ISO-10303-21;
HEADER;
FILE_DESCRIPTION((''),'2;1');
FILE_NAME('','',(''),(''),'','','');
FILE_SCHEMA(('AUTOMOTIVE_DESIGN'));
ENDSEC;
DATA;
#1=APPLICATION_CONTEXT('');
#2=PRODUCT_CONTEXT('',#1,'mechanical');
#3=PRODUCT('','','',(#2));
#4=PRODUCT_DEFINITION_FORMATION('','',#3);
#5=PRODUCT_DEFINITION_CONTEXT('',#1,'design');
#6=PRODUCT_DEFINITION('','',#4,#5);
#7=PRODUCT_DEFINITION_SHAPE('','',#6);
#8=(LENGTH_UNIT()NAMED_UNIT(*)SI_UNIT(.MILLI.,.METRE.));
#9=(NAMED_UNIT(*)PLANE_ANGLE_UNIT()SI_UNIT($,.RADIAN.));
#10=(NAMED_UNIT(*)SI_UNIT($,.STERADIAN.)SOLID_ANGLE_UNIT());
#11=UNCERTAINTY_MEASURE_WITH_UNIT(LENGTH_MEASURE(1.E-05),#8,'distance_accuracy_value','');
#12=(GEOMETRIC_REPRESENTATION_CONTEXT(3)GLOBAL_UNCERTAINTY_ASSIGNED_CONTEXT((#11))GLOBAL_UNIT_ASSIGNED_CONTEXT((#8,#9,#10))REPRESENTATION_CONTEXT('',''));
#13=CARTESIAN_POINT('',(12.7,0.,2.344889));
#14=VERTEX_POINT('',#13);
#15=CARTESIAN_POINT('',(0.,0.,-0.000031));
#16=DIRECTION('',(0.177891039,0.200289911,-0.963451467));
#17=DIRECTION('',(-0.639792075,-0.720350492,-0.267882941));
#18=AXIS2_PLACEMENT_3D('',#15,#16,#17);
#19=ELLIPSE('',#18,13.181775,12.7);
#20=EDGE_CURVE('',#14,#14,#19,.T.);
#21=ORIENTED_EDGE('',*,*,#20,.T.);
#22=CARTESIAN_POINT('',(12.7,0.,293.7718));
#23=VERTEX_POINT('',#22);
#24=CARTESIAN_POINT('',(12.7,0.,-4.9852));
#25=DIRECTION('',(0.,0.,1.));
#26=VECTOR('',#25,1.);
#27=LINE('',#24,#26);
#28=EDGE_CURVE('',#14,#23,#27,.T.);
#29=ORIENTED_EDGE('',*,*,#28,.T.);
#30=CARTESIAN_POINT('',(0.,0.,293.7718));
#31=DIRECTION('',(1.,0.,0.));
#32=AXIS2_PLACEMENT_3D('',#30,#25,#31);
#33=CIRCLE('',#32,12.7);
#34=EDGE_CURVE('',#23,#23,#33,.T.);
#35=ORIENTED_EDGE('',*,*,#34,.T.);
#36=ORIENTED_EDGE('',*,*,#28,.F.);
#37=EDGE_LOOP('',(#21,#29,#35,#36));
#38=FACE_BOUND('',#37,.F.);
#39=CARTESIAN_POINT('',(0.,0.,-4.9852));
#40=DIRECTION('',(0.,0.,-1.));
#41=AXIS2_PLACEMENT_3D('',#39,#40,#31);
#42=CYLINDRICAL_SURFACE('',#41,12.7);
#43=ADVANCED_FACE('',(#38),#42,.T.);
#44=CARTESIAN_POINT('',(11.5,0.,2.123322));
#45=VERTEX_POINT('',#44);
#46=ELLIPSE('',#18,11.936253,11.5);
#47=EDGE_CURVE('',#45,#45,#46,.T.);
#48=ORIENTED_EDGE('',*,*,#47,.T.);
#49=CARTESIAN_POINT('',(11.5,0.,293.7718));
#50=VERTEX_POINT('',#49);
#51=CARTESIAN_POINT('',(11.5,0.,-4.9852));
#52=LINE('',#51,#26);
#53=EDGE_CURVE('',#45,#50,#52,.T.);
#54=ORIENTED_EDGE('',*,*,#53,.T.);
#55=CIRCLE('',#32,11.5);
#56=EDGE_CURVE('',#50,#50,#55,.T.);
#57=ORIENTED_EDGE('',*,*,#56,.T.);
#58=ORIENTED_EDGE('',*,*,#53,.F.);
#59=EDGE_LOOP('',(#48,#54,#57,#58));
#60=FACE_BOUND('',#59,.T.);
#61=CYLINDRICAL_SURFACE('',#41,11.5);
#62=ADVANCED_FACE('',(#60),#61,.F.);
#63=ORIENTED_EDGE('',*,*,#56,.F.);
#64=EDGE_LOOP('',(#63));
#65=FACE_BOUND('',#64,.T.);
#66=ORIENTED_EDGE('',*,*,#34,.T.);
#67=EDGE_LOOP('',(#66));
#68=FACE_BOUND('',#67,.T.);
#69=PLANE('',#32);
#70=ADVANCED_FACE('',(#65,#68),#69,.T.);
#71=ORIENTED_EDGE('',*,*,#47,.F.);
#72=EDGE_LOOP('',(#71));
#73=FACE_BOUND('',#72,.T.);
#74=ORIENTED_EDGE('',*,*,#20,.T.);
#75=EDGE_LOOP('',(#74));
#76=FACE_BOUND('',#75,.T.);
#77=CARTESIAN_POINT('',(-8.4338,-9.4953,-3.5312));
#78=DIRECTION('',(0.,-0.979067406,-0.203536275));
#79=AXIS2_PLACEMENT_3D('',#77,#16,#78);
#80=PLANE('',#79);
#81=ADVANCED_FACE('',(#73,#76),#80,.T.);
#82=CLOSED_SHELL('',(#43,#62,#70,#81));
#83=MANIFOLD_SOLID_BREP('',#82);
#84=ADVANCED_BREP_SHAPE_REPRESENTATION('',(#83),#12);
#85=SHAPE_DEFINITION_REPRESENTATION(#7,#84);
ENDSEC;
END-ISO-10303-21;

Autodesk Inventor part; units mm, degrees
ref_plane "Start plane" through (0, 0, -4.9852) normal (0, 0, 1) x (1, 0, 0)
ref_plane "End plane" through (0, 0, 293.7718) normal (0, 0, 1) x (1, 0, 0)
sketch "Sketch" plane through (0, 0, 0) normal (0, 0, 1) x (1, 0, 0)
  circle A0 centre (0, 0) radius 11.5
  circle A1 centre (0, 0) radius 12.7
  dimension "d0" = 25.4
  dimension "d1" = 1.2
extrude "Body" add sketch "Sketch" along normal up to surface (298.757 mm away) from surface at -4.9852
sketch "Sketch3" plane through (0, 0, 0) normal (0, 0, 1) x (1, 0, 0)
  line L0 (0, 0) -> (10, 0)
ref_plane "Work Plane3" through (0, 0, 0) normal (0, -1, 0) x (1, 0, 0)
sketch "Sketch4" plane through (0, 0, 0) normal (0, -1, 0) x (1, 0, 0)
  line L0 (-2, -4.9852) -> (12, -4.9852)
  line L1 (-2, 293.7718) -> (12, 293.7718)
  dimension "d7" = 298.757
ref_plane "Work Plane4" through (-8.4338, -9.4953, -3.5312) normal (0.1779, 0.2003, -0.9635) x (0.1341, -0.9749, -0.1779)
split "Split1" plane through (-8.4338, -9.4953, -3.5312) removes the side toward (0.1779, 0.2003, -0.9635)
equation "\"d0\" = G_H"
equation "\"d1\" = G_T"
equation "\"d2\" = G_L"
equation "\"G_H\" = 25.4"
equation "\"G_T\" = 1.2"
equation "\"G_L\" = 297.30306"
equation "\"G_OFFSET_START\" = 4.98517"
equation "\"G_OFFSET_END\" = 0"
equation "\"d4\" = -G_OFFSET_START"
equation "\"d5\" = G_OFFSET_END + B_L"
equation "\"B_L\" = 293.77184"
properties part number "DIN EN 10220-3 - 25,4 x 1,2 - 298,757" material "Steel, Mild"
